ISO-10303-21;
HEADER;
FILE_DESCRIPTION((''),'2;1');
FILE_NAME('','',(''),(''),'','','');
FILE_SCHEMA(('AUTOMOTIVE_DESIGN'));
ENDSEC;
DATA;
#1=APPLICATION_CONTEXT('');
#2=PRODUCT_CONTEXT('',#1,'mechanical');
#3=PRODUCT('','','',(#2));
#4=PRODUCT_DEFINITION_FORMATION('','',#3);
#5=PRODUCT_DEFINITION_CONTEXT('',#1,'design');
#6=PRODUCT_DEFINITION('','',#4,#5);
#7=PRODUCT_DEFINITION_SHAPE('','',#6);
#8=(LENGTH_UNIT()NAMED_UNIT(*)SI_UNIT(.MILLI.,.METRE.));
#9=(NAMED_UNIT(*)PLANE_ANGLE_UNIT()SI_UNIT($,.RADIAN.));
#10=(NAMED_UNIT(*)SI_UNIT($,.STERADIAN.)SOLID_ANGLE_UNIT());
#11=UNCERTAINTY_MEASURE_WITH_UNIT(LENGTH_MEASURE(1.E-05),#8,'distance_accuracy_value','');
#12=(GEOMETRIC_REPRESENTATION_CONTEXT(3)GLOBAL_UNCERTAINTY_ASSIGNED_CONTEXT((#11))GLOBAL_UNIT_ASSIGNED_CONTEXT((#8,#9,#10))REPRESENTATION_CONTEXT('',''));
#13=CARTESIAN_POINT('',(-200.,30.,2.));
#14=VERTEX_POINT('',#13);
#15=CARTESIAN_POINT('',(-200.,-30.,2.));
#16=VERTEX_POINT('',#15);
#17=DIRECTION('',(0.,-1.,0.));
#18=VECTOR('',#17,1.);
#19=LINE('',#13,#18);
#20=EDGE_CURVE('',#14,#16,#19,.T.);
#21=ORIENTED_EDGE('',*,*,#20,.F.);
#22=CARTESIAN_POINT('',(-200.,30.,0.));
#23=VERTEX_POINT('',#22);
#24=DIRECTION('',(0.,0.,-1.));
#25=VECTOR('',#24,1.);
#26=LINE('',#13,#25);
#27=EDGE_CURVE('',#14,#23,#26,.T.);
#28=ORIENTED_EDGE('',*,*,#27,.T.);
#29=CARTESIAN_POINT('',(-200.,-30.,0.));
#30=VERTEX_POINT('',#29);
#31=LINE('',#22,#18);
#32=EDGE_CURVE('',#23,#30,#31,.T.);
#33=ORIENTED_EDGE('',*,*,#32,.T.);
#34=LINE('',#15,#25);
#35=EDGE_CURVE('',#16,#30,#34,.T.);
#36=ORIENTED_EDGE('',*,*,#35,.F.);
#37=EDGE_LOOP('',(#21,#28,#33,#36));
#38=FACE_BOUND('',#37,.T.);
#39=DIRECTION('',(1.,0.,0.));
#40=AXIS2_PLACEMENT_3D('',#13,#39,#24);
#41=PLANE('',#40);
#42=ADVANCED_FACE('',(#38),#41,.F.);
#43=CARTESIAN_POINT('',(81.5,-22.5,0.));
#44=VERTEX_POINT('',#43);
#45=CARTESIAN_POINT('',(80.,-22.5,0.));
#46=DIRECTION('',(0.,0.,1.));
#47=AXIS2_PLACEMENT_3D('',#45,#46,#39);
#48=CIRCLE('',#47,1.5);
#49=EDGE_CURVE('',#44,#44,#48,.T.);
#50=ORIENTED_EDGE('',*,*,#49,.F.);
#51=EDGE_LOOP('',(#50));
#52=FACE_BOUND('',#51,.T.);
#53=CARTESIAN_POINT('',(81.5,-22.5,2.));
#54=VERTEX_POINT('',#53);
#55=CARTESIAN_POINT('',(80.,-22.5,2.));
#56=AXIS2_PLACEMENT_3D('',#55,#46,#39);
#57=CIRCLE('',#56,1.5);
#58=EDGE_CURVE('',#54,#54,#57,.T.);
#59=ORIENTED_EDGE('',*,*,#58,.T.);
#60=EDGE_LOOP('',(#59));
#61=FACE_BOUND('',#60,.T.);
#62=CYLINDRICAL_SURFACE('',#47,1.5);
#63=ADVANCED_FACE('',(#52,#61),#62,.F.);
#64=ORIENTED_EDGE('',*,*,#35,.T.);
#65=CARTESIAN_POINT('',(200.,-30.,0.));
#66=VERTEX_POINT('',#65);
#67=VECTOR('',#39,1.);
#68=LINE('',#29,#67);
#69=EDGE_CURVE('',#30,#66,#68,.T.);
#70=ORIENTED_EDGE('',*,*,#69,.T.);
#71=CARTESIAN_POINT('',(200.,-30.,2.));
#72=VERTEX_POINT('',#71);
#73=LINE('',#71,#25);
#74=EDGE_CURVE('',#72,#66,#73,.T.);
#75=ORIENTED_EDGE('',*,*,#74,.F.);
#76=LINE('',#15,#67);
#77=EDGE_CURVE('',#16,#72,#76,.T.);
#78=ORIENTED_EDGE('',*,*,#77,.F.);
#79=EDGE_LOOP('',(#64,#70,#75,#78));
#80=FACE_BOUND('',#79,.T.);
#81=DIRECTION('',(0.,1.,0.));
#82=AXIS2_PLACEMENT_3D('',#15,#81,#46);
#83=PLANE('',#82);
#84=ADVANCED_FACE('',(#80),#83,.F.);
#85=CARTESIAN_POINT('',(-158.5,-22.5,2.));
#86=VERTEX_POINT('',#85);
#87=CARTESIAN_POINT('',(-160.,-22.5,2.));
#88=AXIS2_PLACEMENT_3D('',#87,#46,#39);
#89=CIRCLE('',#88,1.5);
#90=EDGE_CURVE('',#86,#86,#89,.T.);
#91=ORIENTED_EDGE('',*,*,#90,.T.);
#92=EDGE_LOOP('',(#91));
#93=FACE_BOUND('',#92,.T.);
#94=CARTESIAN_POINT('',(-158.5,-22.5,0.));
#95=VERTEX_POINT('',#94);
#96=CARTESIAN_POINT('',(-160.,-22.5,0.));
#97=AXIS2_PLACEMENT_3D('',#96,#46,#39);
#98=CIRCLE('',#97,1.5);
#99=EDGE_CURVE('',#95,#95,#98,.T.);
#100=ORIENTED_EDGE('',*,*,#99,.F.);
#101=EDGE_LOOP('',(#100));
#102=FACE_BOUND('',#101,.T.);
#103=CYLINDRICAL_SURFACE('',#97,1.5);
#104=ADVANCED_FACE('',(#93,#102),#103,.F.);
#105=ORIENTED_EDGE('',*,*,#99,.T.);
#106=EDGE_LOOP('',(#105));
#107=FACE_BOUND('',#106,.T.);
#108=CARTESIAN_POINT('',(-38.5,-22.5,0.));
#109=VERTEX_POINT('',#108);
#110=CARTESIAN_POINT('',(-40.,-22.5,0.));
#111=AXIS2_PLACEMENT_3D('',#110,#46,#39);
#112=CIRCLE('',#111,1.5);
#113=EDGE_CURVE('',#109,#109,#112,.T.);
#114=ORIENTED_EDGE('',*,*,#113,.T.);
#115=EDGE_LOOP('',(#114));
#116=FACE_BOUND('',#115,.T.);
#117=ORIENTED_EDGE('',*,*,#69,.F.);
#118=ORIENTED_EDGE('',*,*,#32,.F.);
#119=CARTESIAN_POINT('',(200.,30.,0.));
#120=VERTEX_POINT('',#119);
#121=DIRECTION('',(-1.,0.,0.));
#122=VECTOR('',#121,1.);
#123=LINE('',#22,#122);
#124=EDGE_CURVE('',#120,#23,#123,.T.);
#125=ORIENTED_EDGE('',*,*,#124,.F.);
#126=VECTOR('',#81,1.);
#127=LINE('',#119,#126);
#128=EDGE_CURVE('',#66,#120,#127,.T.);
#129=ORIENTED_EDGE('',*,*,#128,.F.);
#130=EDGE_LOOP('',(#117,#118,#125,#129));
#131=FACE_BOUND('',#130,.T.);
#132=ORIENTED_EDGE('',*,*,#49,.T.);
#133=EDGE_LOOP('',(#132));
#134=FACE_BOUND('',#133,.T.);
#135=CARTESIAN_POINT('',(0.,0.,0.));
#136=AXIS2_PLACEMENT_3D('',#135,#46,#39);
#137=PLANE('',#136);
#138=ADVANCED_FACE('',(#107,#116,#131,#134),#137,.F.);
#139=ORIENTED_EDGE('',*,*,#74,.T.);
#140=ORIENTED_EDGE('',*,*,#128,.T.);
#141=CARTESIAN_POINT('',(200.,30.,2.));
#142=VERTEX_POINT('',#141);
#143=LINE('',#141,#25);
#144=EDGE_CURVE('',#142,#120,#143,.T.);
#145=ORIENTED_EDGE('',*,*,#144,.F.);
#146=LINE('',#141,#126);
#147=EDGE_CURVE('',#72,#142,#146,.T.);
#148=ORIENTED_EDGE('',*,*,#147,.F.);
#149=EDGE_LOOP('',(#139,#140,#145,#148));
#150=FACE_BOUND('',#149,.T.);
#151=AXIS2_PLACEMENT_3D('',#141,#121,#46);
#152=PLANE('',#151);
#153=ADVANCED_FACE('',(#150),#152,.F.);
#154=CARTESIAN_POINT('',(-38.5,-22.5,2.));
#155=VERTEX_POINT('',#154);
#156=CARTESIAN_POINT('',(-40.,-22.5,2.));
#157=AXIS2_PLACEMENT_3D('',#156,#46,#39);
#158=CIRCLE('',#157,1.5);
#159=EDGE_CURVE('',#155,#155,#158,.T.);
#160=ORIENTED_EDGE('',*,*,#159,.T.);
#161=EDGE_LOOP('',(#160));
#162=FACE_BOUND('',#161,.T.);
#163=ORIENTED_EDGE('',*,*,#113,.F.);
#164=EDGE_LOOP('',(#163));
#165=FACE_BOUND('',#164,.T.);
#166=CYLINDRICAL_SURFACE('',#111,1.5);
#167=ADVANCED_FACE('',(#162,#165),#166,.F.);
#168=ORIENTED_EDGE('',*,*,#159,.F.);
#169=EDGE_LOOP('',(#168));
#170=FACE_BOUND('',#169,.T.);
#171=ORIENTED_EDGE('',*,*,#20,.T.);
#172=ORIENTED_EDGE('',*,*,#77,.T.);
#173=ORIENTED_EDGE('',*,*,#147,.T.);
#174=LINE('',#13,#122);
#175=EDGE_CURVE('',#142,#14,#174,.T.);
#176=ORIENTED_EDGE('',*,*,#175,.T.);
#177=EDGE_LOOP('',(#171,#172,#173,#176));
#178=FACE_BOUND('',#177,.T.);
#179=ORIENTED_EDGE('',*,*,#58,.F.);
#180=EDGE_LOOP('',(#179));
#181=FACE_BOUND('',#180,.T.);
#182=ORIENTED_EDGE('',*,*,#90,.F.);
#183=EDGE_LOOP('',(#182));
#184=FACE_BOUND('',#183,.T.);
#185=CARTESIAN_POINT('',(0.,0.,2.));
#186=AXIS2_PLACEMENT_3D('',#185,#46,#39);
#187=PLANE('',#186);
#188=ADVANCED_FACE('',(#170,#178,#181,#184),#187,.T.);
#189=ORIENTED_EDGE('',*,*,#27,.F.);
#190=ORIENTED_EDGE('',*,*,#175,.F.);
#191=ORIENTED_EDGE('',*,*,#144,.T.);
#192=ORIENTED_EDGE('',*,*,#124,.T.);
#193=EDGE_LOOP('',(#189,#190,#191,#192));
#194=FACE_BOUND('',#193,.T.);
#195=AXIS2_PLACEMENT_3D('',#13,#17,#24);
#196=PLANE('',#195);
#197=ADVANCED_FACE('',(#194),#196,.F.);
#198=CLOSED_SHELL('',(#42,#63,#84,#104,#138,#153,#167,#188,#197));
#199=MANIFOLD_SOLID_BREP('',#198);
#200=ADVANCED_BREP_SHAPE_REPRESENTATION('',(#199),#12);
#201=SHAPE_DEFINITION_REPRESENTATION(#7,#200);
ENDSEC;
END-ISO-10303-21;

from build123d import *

# Parameters (mm, degrees)
SKETCH_1_W          = 400
SKETCH_1_H          = 60
EXTRUDE_1_DEPTH     = 2
SKETCH_2_R          = 1.5
CUT_EXTRUDE_1_DEPTH = 203.247373283


with BuildPart() as part:
    # 草图1 → 凸台-拉伸1 (new body)
    with BuildSketch(Plane.XY):
        Rectangle(SKETCH_1_W, SKETCH_1_H)
    extrude(amount=EXTRUDE_1_DEPTH)

    # 草图2 → 切除-拉伸1 (cut, through all)
    with BuildSketch(Plane.XY.offset(2)):
        with Locations((-160, -22.5)):
            Circle(SKETCH_2_R)
        with Locations((-40, -22.5)):
            Circle(SKETCH_2_R)
        with Locations((80, -22.5)):
            Circle(SKETCH_2_R)
    extrude(amount=-CUT_EXTRUDE_1_DEPTH, mode=Mode.SUBTRACT)


solid = part.part
